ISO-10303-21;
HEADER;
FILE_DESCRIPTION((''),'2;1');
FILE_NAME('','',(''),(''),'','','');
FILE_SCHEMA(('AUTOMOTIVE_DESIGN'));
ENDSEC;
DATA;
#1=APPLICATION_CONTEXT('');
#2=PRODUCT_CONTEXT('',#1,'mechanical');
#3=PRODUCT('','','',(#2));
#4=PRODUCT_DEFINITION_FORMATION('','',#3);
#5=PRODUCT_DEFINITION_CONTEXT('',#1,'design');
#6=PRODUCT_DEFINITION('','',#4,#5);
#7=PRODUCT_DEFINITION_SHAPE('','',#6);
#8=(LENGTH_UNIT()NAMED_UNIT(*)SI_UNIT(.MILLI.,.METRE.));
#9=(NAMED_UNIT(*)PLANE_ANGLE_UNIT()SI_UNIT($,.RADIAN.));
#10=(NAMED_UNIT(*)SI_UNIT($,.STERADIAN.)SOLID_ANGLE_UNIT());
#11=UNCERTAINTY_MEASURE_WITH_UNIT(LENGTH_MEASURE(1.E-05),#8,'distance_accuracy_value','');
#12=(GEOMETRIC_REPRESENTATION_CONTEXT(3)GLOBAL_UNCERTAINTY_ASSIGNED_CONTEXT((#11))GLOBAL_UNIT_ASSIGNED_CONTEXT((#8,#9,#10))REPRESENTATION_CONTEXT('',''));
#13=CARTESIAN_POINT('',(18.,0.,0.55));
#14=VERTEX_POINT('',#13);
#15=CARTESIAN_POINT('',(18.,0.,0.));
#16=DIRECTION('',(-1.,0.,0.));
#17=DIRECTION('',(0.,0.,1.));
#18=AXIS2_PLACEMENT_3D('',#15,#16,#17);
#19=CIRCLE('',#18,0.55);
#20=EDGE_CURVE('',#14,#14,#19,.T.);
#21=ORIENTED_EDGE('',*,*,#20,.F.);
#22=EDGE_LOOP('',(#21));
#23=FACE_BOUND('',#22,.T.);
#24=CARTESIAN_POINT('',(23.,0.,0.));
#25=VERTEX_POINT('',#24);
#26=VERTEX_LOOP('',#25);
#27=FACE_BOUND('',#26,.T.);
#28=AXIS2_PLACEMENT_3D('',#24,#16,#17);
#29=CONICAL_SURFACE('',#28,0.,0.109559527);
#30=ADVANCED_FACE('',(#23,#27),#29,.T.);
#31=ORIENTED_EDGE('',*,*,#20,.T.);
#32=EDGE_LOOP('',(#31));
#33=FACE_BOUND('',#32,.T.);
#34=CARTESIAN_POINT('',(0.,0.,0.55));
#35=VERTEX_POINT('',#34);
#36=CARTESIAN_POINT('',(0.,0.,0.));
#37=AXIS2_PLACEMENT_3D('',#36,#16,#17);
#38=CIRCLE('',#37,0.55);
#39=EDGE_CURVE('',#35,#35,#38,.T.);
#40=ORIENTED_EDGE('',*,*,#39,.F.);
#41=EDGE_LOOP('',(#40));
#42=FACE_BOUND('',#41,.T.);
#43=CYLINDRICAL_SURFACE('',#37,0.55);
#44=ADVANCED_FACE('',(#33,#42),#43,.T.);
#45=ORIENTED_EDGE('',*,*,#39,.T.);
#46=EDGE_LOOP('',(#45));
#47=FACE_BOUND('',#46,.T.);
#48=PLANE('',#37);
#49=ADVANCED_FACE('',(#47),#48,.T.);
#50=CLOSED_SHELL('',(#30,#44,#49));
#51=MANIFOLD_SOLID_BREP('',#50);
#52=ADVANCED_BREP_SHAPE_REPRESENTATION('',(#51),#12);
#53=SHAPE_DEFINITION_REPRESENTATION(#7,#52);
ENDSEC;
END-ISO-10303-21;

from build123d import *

# Parameters (mm, degrees)
SKETCH_1_W = 18
SKETCH_1_H = 0.55


with BuildPart() as part:
    # 草图1 → 旋转1 (revolve)
    with BuildSketch(Plane.XY, mode=Mode.PRIVATE) as revolve_1_sk:
        with Locations((9, 0.275)):
            Rectangle(SKETCH_1_W, SKETCH_1_H)
        Polygon((18, 0), (23, 0), (18, 0.55), align=None)
    revolve(revolve_1_sk.sketch.rotate(Axis((0, 0, 0), (1, 0, 0)), 90), axis=Axis((0, 0, 0), (1, 0, 0)))


solid = part.part
